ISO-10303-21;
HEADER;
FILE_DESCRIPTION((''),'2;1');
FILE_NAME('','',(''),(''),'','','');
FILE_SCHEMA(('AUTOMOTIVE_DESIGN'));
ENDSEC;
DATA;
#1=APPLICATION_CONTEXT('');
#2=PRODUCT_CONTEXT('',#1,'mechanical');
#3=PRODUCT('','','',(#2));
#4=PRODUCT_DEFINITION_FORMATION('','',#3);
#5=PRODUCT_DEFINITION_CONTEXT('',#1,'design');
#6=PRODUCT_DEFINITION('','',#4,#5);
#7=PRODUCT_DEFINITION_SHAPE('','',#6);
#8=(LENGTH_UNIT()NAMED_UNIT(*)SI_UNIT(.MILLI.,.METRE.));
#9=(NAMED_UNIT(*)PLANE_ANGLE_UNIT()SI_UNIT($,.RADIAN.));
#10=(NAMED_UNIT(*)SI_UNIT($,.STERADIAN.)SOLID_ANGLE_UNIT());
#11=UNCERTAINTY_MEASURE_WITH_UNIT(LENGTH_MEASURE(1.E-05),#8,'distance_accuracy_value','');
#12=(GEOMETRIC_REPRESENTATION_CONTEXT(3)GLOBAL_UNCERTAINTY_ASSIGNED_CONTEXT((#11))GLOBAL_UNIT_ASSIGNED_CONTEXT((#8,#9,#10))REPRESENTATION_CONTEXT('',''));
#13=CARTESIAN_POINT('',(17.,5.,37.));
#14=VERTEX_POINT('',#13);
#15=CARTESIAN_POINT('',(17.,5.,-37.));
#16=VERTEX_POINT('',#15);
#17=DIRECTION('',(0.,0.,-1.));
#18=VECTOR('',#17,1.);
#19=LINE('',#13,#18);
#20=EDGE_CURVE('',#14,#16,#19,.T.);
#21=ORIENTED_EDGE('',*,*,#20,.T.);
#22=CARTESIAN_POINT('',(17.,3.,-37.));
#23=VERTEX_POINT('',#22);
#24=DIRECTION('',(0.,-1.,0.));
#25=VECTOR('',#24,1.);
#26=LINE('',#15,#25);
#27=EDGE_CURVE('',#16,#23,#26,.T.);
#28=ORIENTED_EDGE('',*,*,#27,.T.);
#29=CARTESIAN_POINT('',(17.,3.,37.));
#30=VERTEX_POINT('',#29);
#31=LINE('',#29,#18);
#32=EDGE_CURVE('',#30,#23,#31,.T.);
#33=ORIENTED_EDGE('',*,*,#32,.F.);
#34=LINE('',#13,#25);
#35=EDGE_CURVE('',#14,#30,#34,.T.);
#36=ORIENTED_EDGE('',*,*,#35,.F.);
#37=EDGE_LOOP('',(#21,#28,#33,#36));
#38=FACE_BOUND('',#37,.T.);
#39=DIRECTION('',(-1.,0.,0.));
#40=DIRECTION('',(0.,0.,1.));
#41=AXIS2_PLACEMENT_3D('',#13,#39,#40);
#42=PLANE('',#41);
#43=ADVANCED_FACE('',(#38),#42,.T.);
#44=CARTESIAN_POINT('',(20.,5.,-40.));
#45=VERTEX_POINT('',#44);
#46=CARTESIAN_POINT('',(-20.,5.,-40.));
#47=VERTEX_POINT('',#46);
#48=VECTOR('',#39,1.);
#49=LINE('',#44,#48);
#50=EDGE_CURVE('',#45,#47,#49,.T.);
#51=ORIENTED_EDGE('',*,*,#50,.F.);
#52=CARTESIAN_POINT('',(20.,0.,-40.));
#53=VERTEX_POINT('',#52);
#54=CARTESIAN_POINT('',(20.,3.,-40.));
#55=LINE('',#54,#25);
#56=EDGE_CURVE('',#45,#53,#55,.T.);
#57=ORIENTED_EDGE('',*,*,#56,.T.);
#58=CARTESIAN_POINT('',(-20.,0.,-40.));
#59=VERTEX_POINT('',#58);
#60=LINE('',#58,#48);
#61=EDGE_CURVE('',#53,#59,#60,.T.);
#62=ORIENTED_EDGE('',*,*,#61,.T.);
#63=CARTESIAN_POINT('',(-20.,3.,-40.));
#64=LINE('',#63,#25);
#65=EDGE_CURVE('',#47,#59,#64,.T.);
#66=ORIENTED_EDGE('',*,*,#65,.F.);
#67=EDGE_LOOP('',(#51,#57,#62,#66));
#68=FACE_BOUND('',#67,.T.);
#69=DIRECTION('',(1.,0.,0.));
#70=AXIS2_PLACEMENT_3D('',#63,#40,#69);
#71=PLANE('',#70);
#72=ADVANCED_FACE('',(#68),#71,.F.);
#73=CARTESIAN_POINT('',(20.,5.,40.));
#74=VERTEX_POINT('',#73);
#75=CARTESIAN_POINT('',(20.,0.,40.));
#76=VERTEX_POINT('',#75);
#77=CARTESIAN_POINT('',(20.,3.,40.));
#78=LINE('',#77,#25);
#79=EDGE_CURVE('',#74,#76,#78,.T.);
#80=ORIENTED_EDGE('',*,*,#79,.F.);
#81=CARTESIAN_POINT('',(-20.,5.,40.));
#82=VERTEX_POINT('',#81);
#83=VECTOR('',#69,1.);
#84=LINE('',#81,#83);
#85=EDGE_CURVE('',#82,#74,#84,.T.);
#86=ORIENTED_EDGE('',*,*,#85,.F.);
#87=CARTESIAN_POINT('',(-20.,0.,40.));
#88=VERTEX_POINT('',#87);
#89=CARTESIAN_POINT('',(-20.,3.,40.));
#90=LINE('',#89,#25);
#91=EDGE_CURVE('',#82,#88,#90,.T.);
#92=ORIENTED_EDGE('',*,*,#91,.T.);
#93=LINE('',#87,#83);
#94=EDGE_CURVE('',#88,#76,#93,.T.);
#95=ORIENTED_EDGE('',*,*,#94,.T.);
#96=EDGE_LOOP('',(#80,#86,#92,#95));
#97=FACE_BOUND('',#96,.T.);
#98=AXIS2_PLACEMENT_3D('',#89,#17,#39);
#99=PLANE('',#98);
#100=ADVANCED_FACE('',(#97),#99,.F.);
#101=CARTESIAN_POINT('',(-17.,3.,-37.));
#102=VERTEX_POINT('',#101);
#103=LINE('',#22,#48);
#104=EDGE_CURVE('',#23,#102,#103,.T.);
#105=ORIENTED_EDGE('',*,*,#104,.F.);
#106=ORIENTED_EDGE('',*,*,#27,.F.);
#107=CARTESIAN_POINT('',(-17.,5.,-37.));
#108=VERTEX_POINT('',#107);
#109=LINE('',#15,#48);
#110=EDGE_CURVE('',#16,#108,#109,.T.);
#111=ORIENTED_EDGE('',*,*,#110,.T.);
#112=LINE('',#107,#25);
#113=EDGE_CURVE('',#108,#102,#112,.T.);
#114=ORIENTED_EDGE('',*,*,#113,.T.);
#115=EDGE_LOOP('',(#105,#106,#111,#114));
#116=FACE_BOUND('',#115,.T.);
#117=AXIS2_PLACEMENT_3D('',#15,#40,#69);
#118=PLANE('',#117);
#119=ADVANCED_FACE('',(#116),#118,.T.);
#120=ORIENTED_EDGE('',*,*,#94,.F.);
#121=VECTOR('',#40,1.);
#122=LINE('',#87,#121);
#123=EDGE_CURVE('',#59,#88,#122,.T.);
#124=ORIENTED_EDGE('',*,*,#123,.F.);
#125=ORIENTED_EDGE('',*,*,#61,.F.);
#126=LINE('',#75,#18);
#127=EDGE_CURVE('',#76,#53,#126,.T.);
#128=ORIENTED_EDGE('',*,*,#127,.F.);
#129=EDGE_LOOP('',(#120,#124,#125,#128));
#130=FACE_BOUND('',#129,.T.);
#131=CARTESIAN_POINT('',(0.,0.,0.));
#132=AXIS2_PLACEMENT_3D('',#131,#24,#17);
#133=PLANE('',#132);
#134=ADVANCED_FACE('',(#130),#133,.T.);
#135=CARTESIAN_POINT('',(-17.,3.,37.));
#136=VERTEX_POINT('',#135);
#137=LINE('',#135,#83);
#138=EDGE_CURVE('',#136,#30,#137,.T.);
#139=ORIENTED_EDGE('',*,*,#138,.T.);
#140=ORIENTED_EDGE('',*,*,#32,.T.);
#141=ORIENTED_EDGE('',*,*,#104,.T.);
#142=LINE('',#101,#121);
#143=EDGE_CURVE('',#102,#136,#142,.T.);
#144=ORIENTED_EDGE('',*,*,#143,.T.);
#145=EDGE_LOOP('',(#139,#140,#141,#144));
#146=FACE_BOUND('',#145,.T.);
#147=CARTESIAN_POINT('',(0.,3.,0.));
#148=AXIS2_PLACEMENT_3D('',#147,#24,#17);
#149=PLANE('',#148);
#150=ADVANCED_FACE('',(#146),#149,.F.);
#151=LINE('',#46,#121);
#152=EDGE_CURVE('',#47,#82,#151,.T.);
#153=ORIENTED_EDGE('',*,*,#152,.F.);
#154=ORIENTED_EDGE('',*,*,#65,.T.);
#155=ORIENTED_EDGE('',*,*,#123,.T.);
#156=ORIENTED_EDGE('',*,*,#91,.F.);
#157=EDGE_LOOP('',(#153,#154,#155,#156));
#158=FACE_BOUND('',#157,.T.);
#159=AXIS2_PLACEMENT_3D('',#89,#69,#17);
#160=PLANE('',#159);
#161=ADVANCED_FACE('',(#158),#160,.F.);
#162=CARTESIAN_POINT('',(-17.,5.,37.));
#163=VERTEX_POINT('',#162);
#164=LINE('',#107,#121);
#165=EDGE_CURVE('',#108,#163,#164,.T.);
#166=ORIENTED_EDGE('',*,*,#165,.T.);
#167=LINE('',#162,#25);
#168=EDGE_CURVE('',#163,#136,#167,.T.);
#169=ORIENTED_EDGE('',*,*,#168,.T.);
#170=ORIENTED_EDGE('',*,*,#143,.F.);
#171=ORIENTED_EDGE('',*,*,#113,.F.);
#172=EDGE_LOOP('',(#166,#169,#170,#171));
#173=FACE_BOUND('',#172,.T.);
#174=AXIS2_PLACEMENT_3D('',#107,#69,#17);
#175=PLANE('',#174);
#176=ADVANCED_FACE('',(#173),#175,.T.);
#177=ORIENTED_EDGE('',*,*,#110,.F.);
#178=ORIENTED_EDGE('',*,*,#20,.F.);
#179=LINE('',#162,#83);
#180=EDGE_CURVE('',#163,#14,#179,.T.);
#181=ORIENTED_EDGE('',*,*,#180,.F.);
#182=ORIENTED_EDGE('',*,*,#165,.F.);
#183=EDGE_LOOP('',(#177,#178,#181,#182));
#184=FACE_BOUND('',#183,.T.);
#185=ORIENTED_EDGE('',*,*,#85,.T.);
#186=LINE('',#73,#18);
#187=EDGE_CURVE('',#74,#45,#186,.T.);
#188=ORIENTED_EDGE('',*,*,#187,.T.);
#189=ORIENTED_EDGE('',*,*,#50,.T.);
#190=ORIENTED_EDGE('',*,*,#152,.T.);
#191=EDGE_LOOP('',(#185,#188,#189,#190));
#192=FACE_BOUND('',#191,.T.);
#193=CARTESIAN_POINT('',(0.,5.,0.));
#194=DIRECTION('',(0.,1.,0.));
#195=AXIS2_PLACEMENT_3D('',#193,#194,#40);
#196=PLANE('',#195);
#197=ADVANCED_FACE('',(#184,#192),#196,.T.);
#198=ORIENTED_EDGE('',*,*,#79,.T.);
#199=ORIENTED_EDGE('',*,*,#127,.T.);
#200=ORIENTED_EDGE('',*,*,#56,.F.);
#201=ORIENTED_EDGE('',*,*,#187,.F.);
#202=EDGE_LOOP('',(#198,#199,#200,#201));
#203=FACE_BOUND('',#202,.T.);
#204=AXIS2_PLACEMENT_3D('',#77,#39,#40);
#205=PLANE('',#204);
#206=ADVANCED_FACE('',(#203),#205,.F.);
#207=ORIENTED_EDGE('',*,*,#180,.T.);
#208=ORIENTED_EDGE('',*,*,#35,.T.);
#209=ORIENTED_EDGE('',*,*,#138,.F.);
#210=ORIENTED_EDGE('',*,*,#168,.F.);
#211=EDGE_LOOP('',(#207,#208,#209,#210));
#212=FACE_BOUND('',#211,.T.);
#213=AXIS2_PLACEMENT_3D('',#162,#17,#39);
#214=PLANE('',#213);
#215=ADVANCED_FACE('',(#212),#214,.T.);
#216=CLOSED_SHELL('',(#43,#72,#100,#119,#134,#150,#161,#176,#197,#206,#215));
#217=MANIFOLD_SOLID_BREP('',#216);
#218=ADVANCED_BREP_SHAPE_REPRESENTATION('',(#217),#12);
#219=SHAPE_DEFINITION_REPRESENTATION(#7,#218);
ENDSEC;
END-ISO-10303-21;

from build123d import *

# Parameters (mm, degrees)
SKETCH1_W           = 40
SKETCH1_H           = 80
BOSS_EXTRUDE1_DEPTH = 3
SKETCH2_W           = 40
SKETCH2_H           = 80
SKETCH2_W_2         = 34
SKETCH2_H_2         = 74
BOSS_EXTRUDE2_DEPTH = 2


with BuildPart() as part:
    # Sketch1 → Boss-Extrude1 (new body)
    with BuildSketch(Plane(origin=(0, 0, 0), x_dir=(1, 0, 0), z_dir=(0, 1, 0))):
        Rectangle(SKETCH1_W, SKETCH1_H)
    extrude(amount=BOSS_EXTRUDE1_DEPTH)

    # Sketch2 → Boss-Extrude2 (add)
    with BuildSketch(Plane(origin=(0, 3, 0), x_dir=(1, 0, 0), z_dir=(0, 1, 0))):
        Rectangle(SKETCH2_W, SKETCH2_H)
        Rectangle(SKETCH2_W_2, SKETCH2_H_2, mode=Mode.SUBTRACT)
    extrude(amount=BOSS_EXTRUDE2_DEPTH)


solid = part.part
